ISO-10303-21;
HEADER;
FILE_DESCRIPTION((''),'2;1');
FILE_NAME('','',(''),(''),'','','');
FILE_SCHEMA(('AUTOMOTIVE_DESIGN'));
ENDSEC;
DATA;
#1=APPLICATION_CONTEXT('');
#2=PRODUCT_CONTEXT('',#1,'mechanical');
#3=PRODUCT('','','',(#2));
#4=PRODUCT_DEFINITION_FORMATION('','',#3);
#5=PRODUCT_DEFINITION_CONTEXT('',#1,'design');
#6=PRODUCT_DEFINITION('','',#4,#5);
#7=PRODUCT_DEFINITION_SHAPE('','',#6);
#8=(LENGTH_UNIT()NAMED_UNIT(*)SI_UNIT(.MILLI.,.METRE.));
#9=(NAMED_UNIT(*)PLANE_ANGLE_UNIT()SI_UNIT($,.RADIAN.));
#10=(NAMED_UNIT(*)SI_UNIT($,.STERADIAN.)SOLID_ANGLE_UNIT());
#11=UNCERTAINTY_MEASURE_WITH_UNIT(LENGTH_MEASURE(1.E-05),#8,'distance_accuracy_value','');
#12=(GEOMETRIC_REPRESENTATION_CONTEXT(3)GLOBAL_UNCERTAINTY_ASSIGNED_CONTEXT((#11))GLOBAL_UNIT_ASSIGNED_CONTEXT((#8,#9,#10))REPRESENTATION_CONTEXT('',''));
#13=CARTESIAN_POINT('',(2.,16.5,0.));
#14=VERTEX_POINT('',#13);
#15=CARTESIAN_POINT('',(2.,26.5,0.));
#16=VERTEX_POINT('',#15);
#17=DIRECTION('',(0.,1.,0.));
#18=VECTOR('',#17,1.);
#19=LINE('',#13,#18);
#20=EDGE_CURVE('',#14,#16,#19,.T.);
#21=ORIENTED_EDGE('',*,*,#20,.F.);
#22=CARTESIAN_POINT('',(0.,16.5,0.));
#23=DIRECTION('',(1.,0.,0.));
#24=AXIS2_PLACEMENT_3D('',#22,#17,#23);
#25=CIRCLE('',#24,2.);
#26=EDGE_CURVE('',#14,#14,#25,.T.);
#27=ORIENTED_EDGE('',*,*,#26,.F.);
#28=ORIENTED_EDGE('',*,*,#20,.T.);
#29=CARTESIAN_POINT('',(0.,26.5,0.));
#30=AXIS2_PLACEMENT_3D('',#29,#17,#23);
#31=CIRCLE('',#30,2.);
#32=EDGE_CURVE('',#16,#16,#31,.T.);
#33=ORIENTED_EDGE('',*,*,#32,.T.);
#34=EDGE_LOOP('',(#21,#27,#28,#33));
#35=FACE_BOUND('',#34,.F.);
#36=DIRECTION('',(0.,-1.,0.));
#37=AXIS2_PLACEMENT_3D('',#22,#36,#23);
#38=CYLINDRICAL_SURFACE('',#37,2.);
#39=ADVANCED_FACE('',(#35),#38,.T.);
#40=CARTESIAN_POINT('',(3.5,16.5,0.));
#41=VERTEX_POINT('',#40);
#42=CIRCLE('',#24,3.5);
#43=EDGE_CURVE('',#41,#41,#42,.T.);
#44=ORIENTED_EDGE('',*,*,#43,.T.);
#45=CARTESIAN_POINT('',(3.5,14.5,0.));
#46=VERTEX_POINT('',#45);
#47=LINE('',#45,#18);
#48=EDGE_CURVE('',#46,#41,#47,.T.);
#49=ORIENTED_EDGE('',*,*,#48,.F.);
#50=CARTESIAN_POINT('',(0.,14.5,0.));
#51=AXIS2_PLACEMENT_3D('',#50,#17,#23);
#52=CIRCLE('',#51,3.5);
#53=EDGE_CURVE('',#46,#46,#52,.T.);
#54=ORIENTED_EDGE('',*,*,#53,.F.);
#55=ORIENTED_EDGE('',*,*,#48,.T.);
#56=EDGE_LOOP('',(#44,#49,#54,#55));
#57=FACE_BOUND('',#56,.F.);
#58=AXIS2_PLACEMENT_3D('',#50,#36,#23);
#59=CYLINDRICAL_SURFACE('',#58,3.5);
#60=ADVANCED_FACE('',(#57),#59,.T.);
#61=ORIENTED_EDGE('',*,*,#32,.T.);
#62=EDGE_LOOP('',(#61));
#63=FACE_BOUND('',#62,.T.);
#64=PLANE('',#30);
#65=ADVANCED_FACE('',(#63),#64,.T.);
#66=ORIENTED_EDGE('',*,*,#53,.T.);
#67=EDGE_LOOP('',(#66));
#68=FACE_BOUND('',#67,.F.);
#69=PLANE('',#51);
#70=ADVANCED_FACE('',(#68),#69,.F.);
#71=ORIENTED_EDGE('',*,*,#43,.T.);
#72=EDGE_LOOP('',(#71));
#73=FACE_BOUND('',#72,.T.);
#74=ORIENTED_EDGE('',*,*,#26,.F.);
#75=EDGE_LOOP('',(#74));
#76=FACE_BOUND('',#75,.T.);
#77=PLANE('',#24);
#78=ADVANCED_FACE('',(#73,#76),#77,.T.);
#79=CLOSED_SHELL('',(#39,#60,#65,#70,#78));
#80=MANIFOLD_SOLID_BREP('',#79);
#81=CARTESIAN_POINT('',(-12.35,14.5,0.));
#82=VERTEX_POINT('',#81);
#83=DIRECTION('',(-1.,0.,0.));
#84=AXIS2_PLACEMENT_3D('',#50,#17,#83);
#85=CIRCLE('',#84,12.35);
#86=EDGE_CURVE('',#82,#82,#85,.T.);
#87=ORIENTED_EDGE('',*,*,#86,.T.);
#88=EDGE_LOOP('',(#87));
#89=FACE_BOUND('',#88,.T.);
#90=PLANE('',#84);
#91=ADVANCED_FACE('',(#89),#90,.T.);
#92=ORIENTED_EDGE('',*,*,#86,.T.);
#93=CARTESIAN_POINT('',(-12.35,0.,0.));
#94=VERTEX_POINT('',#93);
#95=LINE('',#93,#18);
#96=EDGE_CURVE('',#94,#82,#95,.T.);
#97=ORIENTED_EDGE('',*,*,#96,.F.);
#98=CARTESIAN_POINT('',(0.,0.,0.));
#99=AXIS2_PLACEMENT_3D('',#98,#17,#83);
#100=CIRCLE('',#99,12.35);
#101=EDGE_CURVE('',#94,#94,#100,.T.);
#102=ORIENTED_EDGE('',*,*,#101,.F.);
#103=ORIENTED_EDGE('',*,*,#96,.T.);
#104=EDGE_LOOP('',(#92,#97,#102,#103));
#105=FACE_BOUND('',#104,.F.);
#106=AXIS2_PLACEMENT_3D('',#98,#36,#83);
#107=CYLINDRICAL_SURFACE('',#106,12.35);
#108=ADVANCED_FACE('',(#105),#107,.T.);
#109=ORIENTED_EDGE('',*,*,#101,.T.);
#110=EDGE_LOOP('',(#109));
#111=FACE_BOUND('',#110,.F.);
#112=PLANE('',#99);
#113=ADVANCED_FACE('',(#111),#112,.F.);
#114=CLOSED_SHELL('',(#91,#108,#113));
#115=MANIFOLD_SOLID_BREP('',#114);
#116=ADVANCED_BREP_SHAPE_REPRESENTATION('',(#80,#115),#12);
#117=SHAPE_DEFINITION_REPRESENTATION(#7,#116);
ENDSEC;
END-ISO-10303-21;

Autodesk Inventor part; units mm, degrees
ref_plane "YZ Plane" through (0, 0, 0) normal (1, 0, 0) x (0, 1, 0)
ref_plane "XZ Plane" through (0, 0, 0) normal (0, 1, 0) x (-1, 0, 0)
ref_plane "XY Plane" through (0, 0, 0) normal (0, 0, 1) x (1, 0, 0)
sketch "Szkic1" plane through (0, 0, 0) normal (0, 1, 0) x (-1, 0, 0)
  circle A0 centre (0, 0) radius 12.35
  dimension "d0" = 24.7
extrude "Wyciągnięcie proste1" add sketch "Szkic1" along normal blind 14.5
sketch "Szkic2" plane through (0, 14.5, 0) normal (0, 1, 0) x (1, 0, 0)
  circle A0 centre (0, 0) radius 3.5
  dimension "d3" = 7
extrude "Wyciągnięcie proste2" add sketch "Szkic2" along normal blind 2 separate body
sketch "Szkic3" plane through (0, 16.5, 0) normal (0, 1, 0) x (1, 0, 0)
  circle A0 centre (0, 0) radius 2
  dimension "d6" = 4
extrude "Wyciągnięcie proste3" add sketch "Szkic3" along normal blind 10 bodies 2
properties part number "GEAR_TOP" material "Szkło"
